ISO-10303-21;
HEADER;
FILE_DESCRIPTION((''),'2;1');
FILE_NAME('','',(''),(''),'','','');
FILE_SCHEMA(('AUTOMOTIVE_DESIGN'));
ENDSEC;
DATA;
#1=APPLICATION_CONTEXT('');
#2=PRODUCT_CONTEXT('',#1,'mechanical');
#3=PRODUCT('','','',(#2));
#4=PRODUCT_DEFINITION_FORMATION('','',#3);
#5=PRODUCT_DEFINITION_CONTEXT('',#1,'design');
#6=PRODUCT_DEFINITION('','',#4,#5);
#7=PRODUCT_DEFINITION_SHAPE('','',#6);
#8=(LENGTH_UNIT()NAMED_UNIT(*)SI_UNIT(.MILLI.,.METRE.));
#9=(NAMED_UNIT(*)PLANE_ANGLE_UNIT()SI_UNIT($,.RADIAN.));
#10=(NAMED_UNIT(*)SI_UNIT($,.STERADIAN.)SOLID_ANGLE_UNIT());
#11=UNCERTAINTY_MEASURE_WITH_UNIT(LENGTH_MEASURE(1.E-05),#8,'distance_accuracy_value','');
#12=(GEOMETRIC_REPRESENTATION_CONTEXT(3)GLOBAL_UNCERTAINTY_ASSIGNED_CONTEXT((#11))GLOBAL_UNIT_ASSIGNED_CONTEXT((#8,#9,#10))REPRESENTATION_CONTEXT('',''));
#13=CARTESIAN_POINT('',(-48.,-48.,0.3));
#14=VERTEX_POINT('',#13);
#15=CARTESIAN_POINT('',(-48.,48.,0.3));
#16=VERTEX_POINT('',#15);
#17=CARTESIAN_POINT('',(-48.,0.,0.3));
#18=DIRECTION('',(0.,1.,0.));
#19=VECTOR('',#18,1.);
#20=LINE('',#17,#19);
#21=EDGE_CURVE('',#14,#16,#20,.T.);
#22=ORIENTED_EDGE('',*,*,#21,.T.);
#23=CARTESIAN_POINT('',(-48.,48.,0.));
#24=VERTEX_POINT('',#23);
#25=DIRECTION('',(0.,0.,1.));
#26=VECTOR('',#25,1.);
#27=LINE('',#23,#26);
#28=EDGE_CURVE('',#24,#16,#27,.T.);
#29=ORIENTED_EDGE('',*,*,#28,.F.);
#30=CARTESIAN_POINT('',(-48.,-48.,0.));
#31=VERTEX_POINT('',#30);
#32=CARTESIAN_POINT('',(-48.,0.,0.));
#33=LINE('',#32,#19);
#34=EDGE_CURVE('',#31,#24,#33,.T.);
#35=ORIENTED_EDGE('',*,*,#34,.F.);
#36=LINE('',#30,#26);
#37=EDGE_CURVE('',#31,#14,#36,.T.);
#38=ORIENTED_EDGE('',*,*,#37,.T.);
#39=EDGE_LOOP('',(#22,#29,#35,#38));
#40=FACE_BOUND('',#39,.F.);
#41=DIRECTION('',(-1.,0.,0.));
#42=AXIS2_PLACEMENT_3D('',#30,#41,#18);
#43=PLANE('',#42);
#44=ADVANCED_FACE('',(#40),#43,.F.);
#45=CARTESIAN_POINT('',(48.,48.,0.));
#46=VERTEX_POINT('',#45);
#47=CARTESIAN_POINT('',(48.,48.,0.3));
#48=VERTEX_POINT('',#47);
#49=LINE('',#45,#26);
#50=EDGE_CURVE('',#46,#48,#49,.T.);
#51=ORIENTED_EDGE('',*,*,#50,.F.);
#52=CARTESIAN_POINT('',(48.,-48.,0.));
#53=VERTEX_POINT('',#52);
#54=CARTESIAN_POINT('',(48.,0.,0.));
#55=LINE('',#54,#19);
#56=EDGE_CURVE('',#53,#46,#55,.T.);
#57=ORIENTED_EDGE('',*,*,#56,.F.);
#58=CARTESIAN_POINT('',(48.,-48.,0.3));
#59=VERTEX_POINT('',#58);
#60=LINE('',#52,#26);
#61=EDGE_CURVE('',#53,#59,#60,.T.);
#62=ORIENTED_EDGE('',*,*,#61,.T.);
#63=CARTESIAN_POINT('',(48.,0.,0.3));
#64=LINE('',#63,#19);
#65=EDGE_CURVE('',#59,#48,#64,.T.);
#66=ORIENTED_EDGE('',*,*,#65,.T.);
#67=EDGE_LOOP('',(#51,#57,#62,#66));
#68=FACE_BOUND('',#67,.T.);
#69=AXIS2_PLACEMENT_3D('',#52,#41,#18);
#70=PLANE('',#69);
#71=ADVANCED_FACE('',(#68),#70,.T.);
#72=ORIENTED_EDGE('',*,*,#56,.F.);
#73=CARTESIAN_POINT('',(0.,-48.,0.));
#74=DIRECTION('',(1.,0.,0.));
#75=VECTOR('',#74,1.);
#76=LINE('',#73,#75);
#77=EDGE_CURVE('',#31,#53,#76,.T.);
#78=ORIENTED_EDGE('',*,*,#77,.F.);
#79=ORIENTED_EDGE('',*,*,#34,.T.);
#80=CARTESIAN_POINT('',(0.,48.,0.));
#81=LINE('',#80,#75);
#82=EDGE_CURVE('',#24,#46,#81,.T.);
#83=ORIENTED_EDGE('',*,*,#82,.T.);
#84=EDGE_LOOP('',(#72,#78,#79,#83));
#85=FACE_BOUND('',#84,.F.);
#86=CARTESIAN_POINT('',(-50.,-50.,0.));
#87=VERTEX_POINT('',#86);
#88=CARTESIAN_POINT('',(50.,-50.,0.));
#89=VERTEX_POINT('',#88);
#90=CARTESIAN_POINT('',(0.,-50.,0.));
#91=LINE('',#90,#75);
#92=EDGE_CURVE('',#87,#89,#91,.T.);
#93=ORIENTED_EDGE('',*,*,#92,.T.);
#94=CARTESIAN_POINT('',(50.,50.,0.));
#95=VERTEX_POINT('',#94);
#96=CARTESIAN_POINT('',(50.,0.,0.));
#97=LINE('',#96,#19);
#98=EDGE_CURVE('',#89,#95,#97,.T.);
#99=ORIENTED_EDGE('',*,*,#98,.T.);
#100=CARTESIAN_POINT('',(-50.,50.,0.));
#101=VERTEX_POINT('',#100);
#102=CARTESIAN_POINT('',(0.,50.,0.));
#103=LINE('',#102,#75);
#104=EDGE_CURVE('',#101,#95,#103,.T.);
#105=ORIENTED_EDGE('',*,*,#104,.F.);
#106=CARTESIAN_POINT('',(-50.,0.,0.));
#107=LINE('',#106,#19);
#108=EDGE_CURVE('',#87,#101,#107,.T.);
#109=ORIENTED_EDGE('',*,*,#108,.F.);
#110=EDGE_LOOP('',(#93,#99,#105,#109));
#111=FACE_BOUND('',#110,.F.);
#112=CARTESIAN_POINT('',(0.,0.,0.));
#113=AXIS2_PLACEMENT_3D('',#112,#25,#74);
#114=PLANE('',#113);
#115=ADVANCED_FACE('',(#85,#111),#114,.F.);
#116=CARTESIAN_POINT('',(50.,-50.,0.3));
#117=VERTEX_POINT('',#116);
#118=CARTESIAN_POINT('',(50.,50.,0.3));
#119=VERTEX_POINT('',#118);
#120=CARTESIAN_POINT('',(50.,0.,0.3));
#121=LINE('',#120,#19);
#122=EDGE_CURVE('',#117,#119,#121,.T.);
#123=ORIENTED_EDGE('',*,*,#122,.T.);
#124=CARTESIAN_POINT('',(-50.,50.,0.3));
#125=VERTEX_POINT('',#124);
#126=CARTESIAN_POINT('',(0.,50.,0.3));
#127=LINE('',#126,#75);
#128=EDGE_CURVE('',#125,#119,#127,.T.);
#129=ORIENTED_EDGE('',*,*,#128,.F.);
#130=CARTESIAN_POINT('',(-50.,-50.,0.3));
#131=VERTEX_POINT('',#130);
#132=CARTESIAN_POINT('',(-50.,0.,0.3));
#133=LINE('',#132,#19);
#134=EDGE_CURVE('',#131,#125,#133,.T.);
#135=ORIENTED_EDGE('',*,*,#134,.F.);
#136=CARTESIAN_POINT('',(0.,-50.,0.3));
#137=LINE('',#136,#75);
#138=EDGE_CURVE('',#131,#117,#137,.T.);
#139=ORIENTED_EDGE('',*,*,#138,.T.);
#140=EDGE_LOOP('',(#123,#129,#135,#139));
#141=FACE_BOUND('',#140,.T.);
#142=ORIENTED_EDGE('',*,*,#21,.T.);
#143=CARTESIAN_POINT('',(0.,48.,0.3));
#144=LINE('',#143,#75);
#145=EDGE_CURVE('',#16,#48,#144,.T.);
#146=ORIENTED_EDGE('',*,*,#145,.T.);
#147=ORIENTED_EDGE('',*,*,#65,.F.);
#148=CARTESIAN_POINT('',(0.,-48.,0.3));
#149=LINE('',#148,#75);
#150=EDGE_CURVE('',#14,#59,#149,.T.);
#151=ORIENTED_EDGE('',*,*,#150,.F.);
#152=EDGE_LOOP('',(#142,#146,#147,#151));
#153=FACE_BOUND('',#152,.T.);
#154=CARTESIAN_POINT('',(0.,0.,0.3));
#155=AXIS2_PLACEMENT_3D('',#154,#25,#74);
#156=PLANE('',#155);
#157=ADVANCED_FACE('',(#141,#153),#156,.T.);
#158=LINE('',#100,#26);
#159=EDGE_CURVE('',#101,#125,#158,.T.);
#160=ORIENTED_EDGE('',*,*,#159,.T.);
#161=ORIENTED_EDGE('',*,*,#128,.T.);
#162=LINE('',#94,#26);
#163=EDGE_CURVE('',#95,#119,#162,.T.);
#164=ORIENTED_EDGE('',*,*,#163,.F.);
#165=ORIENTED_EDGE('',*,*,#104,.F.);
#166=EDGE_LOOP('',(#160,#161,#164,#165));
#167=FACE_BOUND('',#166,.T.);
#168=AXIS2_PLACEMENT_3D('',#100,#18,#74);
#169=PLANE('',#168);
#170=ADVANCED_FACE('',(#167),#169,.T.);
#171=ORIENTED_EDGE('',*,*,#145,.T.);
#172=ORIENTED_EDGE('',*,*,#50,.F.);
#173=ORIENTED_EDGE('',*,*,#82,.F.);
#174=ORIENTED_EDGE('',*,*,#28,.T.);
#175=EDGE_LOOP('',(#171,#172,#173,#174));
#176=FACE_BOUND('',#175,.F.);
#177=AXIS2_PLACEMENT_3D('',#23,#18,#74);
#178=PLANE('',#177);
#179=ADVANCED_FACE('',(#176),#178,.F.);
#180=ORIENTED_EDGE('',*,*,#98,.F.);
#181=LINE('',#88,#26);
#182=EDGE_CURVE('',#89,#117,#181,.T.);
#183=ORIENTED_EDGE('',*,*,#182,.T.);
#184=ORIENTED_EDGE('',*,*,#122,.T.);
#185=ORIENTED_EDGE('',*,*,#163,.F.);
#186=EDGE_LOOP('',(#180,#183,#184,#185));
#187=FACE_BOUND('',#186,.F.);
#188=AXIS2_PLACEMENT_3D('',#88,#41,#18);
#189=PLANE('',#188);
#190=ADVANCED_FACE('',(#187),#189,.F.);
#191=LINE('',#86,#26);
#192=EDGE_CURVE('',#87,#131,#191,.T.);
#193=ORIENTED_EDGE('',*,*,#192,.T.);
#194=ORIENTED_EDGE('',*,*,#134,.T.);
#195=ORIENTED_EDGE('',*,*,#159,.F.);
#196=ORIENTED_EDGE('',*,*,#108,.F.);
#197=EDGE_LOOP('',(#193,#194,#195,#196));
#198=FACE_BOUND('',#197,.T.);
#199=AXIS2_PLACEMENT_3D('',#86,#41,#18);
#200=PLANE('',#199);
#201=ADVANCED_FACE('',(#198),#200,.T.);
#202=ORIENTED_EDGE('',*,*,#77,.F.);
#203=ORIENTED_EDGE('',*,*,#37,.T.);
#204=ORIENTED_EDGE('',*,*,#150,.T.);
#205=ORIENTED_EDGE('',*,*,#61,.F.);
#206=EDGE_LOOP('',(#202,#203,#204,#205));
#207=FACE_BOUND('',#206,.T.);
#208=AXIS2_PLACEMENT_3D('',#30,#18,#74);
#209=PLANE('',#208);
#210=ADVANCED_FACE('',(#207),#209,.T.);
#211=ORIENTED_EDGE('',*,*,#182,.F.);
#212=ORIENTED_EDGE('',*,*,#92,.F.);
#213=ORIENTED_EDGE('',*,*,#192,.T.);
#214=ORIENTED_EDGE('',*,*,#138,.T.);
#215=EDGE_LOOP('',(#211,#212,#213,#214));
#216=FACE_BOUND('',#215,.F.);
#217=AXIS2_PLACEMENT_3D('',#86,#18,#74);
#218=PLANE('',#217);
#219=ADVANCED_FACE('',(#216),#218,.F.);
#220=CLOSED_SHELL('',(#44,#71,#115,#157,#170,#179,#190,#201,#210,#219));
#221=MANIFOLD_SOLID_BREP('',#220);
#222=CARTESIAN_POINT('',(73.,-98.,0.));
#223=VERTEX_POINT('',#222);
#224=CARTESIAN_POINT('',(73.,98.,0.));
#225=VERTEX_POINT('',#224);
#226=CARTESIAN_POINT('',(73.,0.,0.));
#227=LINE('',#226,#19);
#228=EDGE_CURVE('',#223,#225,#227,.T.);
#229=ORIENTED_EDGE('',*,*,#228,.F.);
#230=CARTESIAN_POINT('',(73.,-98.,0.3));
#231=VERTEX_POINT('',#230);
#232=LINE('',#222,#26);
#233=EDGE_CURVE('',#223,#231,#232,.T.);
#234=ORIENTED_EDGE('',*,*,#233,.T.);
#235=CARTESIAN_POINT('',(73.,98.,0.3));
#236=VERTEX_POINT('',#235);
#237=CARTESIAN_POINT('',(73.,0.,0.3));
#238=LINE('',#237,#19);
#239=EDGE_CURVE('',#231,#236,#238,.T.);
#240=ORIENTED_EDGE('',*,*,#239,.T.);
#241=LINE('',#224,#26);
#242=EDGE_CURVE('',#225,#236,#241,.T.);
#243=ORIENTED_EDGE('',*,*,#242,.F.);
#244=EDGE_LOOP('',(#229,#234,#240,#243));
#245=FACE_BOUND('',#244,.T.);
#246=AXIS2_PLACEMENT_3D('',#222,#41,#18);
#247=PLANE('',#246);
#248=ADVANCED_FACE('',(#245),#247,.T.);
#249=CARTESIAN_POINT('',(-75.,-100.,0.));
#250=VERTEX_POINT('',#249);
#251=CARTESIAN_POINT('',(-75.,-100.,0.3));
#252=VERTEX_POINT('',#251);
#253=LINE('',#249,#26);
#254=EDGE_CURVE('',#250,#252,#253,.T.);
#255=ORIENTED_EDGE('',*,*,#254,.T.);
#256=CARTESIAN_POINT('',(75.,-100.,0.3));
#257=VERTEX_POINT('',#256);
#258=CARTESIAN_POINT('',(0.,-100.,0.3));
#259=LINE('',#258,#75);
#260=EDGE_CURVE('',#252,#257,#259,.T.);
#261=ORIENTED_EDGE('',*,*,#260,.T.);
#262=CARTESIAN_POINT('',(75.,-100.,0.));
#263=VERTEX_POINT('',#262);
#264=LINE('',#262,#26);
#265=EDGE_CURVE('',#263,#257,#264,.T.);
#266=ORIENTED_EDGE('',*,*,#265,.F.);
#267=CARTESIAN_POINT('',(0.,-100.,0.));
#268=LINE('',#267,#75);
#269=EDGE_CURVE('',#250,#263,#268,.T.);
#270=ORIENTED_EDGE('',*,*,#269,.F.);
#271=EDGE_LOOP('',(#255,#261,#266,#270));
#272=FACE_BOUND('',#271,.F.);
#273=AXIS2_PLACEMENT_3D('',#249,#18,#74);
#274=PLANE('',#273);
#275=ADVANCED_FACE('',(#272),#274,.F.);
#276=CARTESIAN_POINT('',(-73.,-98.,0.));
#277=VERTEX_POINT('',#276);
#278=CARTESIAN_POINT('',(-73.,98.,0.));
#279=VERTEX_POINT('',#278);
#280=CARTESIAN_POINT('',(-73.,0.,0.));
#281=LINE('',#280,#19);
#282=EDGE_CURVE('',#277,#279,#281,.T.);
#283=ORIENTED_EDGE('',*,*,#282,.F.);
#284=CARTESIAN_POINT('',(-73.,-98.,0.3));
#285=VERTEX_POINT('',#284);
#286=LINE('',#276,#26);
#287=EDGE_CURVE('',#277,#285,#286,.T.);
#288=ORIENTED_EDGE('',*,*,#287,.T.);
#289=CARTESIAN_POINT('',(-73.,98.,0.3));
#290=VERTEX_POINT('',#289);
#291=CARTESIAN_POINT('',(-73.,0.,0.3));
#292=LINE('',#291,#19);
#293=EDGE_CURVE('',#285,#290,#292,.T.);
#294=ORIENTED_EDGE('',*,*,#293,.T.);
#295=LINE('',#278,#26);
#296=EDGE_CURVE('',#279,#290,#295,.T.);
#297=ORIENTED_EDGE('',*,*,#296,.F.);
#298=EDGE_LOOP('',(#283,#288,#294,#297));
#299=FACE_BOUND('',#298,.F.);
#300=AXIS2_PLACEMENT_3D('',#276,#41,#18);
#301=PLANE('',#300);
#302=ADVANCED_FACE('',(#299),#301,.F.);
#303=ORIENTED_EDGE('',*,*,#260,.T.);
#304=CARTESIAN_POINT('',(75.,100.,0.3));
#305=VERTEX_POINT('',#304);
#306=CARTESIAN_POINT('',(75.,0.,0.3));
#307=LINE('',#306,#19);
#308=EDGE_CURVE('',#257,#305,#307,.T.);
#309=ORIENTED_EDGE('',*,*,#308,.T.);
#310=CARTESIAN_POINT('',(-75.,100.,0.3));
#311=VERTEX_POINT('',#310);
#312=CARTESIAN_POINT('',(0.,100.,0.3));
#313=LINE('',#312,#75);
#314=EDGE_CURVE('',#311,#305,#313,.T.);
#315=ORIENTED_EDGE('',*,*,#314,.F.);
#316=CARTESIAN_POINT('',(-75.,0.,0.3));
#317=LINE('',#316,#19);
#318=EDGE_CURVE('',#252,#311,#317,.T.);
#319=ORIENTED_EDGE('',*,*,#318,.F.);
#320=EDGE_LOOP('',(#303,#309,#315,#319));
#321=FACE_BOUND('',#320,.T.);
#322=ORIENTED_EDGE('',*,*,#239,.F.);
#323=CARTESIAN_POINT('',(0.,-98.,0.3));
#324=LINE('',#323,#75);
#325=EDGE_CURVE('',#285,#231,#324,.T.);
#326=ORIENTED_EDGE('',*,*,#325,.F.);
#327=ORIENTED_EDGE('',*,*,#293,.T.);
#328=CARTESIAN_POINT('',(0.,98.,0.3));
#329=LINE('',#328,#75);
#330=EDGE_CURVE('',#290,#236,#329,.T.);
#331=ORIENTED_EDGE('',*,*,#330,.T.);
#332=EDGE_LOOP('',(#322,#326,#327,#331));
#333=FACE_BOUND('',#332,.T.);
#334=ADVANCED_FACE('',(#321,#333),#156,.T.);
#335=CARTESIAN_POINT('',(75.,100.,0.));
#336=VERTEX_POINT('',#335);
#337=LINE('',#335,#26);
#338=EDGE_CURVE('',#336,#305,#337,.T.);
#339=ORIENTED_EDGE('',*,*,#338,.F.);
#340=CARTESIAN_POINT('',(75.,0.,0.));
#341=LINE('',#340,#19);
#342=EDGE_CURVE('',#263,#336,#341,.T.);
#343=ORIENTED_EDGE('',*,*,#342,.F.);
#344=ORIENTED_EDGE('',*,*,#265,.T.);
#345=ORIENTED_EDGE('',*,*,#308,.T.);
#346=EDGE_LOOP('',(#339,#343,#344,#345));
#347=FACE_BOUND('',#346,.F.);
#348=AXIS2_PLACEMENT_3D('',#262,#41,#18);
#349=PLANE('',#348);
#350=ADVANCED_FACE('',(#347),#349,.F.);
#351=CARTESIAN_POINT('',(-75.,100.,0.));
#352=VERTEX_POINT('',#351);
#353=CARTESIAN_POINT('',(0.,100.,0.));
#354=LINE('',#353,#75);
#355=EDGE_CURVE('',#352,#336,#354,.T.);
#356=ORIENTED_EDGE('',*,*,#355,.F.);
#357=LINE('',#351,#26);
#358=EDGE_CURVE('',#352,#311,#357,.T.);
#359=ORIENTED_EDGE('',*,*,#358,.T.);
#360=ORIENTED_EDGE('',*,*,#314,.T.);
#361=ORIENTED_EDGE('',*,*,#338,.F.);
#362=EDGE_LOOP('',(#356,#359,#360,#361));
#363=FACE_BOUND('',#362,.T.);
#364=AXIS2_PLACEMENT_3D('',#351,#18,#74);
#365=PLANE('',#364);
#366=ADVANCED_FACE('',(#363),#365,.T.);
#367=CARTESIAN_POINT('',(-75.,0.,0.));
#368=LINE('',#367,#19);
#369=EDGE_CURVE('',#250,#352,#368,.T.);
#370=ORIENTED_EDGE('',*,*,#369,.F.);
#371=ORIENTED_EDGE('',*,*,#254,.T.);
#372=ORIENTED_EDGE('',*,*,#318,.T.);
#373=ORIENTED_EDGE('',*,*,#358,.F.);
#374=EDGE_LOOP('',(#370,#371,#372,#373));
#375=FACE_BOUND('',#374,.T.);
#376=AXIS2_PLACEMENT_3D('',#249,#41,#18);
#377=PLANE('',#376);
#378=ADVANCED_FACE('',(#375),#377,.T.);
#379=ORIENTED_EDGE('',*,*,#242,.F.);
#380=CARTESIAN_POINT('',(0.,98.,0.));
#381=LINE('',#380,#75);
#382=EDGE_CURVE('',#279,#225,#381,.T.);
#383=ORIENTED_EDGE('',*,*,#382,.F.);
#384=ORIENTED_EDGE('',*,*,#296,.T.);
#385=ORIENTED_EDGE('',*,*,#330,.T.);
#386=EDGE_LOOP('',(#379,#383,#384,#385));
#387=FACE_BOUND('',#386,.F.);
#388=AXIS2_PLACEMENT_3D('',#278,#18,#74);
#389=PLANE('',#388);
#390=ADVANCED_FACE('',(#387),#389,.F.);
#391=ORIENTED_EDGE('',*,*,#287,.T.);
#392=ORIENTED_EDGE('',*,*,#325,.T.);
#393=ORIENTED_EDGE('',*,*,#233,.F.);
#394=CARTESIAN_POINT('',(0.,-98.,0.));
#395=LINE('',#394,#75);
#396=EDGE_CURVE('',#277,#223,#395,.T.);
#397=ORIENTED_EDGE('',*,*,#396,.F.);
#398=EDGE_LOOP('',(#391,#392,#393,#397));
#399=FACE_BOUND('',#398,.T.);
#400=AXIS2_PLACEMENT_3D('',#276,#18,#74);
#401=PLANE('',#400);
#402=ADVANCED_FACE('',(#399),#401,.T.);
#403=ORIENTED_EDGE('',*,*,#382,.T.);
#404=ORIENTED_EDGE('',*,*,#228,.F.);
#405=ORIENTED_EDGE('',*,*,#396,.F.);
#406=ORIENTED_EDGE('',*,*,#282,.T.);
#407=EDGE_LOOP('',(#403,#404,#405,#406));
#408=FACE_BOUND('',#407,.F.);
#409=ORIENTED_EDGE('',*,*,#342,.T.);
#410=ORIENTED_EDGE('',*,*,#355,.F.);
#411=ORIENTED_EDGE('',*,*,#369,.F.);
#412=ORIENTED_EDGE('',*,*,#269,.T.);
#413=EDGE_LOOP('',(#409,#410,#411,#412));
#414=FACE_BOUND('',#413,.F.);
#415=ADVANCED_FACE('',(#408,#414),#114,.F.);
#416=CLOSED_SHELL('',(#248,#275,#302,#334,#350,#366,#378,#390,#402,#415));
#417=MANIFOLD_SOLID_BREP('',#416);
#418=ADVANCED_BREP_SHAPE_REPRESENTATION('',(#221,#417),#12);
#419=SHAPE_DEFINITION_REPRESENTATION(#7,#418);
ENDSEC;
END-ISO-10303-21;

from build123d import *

# Parameters (mm, degrees)
F0_W     = 100
F0_H     = 100
F0_W_2   = 96
F0_H_2   = 96
F1_DEPTH = 0.3
F0_W_3   = 150
F0_H_3   = 200
F0_W_4   = 146
F0_H_4   = 196


with BuildPart() as f1:
    # F0 (on Top) → F1 (new body)
    with BuildSketch(Plane.XY):
        Rectangle(F0_W, F0_H)
        Rectangle(F0_W_2, F0_H_2, mode=Mode.SUBTRACT)
    extrude(amount=F1_DEPTH)


with BuildPart() as f1b:
    # F0 (on Top) → F1, piece 2 (new body)
    with BuildSketch(Plane.XY):
        Rectangle(F0_W_3, F0_H_3)
        Rectangle(F0_W_4, F0_H_4, mode=Mode.SUBTRACT)
    extrude(amount=F1_DEPTH)


solid = Compound([f1.part, f1b.part])
